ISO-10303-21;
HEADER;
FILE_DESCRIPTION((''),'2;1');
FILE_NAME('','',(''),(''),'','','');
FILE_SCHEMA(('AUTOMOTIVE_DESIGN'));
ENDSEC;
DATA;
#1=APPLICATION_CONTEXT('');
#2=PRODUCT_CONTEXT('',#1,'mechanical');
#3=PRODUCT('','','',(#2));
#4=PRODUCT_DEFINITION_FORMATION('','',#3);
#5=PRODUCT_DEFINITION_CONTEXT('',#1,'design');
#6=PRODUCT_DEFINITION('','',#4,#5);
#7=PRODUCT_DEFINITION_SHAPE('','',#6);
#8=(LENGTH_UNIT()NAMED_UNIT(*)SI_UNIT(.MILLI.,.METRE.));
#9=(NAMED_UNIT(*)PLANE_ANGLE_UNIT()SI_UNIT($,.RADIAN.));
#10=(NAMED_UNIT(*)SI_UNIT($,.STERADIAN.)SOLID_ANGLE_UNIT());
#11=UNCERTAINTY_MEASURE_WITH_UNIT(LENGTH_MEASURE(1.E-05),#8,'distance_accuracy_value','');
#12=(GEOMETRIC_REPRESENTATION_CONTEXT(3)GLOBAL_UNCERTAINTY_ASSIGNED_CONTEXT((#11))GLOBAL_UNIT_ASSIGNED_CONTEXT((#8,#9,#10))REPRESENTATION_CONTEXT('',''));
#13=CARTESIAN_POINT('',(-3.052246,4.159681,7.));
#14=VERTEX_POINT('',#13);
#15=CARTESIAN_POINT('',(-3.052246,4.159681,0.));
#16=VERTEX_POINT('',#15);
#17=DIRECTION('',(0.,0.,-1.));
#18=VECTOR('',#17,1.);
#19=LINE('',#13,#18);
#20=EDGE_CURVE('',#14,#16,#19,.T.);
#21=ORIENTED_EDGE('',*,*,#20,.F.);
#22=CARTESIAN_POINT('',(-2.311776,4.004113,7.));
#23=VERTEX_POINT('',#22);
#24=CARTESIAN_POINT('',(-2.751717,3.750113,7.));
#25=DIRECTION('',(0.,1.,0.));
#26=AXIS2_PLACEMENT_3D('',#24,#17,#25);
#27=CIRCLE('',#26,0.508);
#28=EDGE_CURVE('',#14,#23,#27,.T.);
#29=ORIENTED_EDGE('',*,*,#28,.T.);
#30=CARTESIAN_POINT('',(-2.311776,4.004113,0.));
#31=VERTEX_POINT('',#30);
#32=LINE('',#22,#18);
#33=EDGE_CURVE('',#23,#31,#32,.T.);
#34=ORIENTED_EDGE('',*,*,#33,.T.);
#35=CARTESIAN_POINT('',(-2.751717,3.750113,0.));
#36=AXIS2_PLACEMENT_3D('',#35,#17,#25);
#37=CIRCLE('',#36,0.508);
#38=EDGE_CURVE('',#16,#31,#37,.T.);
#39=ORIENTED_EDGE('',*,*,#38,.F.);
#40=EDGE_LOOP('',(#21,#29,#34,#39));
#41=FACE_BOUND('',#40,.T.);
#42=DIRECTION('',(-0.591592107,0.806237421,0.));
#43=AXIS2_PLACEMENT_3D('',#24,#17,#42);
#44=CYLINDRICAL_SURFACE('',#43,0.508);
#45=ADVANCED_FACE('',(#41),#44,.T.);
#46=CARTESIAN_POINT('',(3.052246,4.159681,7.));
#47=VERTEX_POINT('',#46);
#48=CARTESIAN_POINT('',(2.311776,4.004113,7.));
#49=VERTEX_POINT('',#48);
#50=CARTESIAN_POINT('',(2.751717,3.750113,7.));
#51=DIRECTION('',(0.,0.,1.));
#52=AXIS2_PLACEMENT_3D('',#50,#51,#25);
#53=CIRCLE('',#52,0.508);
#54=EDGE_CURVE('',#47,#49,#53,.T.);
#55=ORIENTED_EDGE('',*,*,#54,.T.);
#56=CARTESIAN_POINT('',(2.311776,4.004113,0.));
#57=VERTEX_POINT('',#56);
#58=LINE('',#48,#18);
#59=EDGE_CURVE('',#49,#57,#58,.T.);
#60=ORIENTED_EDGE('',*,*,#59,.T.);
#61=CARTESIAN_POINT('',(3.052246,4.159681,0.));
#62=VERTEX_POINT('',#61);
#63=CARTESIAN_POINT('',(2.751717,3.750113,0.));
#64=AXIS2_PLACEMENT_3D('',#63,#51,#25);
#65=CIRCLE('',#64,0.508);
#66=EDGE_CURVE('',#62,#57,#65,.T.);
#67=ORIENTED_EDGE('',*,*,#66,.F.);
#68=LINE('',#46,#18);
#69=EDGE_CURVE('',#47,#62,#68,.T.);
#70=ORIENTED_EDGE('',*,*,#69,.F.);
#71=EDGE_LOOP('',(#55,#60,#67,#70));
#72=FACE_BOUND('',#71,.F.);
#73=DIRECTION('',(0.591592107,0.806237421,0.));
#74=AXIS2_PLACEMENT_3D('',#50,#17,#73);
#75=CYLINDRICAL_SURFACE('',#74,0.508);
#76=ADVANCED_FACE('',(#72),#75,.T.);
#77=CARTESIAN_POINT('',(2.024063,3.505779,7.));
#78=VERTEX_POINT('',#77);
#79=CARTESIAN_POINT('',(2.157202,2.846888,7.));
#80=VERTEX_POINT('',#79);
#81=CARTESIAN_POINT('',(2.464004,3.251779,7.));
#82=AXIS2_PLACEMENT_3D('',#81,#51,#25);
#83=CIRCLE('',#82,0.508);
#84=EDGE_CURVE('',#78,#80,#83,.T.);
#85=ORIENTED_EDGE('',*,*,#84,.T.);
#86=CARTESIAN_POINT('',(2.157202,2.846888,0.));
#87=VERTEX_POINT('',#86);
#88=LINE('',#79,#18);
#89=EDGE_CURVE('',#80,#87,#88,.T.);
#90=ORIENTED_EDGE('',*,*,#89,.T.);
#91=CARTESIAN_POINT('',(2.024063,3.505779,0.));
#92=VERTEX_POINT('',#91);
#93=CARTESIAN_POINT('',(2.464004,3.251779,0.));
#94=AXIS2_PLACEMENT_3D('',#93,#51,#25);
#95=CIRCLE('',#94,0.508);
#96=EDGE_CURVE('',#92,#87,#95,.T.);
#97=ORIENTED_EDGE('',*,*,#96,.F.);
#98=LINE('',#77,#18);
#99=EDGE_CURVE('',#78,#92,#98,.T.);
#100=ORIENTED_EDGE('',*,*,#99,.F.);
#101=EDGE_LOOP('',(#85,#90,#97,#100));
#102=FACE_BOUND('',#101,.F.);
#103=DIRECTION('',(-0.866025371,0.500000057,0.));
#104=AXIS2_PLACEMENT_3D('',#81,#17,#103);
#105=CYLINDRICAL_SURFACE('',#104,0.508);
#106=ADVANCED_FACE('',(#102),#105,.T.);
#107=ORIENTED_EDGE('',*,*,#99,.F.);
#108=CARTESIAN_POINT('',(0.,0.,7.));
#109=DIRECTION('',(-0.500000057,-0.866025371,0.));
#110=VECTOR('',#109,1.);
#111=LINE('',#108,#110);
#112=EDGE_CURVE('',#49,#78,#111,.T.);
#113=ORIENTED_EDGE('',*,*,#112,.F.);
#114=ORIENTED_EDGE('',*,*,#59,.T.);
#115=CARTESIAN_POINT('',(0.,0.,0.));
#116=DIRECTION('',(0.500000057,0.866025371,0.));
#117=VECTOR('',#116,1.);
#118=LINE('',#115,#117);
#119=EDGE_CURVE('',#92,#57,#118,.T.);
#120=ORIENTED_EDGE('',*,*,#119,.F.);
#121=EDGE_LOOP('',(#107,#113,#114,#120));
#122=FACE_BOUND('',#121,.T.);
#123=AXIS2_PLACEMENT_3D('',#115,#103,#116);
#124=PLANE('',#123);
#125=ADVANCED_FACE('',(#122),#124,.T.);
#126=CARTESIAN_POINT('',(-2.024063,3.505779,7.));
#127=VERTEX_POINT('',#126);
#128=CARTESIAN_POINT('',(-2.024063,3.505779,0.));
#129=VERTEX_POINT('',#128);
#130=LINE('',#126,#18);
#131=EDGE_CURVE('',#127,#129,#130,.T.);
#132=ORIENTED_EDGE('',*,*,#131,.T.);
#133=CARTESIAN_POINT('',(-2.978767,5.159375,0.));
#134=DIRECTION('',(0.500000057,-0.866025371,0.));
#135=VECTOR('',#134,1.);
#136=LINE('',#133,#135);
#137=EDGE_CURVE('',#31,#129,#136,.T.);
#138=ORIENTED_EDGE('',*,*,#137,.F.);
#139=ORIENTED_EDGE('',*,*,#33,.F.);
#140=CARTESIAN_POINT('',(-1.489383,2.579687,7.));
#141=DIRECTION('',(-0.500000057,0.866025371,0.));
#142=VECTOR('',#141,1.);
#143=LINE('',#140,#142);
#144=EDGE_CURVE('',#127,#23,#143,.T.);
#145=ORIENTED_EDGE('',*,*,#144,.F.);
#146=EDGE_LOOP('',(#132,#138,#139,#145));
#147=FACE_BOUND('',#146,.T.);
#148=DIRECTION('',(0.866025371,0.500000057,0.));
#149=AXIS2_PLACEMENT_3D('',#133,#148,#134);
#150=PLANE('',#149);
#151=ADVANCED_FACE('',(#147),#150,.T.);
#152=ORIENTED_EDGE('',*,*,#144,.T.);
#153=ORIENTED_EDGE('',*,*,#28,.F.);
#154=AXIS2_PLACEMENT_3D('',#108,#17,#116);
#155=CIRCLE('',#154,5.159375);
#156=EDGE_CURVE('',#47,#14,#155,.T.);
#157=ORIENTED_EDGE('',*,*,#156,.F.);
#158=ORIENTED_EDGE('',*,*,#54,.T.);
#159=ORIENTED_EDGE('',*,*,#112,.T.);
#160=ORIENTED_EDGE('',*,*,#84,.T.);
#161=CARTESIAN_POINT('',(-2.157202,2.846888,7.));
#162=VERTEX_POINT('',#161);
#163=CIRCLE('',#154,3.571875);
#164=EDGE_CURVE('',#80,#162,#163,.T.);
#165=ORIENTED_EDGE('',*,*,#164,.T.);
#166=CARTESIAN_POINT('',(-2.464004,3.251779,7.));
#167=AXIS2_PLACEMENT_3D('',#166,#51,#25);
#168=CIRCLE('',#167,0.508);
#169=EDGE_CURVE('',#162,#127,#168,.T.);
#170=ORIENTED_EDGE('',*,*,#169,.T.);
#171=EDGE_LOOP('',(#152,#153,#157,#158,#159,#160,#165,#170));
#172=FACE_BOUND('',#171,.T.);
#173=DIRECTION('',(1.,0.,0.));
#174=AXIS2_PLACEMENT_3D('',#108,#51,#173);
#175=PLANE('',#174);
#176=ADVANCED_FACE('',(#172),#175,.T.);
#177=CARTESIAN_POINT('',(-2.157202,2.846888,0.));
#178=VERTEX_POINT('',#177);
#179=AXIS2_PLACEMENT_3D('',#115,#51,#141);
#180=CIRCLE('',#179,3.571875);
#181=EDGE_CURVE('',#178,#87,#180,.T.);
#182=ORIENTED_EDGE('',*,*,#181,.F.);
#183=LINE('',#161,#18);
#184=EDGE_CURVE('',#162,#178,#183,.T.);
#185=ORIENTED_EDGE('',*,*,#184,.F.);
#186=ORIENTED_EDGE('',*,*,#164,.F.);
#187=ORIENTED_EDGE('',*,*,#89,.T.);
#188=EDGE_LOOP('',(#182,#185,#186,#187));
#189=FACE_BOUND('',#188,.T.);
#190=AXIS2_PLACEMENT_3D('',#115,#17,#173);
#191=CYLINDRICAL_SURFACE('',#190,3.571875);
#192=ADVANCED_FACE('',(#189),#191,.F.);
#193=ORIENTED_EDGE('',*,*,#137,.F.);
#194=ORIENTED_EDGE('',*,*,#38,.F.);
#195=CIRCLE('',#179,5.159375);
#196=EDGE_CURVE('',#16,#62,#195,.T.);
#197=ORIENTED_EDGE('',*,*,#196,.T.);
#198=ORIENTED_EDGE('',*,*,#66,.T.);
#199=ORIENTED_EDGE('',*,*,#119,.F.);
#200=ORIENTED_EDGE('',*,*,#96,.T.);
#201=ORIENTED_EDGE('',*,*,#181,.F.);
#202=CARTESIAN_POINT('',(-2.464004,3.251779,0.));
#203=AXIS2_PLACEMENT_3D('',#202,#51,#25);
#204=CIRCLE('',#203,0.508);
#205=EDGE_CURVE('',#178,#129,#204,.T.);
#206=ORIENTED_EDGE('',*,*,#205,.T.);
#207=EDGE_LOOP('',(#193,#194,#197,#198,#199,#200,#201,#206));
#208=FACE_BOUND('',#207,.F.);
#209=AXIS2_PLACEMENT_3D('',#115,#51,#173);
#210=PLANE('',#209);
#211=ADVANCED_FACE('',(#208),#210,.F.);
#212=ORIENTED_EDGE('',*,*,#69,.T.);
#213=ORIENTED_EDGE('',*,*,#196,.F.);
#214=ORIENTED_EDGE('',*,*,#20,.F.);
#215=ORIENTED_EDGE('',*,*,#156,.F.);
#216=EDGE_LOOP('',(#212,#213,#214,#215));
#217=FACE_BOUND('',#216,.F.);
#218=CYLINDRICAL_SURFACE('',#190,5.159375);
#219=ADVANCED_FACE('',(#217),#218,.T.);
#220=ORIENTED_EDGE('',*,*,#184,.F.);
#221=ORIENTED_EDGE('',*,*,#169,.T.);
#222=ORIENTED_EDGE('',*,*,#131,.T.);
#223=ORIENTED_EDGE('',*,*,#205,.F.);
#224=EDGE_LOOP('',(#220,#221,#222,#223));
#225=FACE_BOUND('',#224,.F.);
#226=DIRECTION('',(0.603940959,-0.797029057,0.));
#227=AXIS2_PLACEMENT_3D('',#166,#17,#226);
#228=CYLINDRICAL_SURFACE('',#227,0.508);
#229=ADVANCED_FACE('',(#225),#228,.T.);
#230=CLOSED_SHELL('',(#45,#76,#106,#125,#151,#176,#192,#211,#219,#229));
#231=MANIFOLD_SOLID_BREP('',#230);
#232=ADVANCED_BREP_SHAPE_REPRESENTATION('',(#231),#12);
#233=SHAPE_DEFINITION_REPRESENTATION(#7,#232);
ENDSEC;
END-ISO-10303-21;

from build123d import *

# Parameters (mm, degrees)
F0_R     = 5.159375
F0_R_2   = 3.571875
F1_DEPTH = 7
F3_DEPTH = 7.001
F4_R     = 0.508


with BuildPart() as f1:
    # F0 (on Top) → F1 (new body)
    with BuildSketch(Plane.XY):
        Circle(F0_R)
        Circle(F0_R_2, mode=Mode.SUBTRACT)
    extrude(amount=F1_DEPTH)

    # F2 (on Top) → F3 (cut, through all)
    with BuildSketch(Plane.XY):
        Polygon((-2.978767, 5.159375), (0, 0), (2.978767, 5.159375), align=None)
    extrude(amount=F3_DEPTH, mode=Mode.SUBTRACT)

    # F4
    f4_edges = [f1.edges().sort_by_distance(p)[0] for p in [
        (1.785938, 3.093334, 3.5),
        (-1.785937, 3.093334, 3.5),
        (-2.579687, 4.46815, 3.5),
        (2.579688, 4.46815, 3.5),
    ]]
    fillet(f4_edges, radius=F4_R)


solid = f1.part
